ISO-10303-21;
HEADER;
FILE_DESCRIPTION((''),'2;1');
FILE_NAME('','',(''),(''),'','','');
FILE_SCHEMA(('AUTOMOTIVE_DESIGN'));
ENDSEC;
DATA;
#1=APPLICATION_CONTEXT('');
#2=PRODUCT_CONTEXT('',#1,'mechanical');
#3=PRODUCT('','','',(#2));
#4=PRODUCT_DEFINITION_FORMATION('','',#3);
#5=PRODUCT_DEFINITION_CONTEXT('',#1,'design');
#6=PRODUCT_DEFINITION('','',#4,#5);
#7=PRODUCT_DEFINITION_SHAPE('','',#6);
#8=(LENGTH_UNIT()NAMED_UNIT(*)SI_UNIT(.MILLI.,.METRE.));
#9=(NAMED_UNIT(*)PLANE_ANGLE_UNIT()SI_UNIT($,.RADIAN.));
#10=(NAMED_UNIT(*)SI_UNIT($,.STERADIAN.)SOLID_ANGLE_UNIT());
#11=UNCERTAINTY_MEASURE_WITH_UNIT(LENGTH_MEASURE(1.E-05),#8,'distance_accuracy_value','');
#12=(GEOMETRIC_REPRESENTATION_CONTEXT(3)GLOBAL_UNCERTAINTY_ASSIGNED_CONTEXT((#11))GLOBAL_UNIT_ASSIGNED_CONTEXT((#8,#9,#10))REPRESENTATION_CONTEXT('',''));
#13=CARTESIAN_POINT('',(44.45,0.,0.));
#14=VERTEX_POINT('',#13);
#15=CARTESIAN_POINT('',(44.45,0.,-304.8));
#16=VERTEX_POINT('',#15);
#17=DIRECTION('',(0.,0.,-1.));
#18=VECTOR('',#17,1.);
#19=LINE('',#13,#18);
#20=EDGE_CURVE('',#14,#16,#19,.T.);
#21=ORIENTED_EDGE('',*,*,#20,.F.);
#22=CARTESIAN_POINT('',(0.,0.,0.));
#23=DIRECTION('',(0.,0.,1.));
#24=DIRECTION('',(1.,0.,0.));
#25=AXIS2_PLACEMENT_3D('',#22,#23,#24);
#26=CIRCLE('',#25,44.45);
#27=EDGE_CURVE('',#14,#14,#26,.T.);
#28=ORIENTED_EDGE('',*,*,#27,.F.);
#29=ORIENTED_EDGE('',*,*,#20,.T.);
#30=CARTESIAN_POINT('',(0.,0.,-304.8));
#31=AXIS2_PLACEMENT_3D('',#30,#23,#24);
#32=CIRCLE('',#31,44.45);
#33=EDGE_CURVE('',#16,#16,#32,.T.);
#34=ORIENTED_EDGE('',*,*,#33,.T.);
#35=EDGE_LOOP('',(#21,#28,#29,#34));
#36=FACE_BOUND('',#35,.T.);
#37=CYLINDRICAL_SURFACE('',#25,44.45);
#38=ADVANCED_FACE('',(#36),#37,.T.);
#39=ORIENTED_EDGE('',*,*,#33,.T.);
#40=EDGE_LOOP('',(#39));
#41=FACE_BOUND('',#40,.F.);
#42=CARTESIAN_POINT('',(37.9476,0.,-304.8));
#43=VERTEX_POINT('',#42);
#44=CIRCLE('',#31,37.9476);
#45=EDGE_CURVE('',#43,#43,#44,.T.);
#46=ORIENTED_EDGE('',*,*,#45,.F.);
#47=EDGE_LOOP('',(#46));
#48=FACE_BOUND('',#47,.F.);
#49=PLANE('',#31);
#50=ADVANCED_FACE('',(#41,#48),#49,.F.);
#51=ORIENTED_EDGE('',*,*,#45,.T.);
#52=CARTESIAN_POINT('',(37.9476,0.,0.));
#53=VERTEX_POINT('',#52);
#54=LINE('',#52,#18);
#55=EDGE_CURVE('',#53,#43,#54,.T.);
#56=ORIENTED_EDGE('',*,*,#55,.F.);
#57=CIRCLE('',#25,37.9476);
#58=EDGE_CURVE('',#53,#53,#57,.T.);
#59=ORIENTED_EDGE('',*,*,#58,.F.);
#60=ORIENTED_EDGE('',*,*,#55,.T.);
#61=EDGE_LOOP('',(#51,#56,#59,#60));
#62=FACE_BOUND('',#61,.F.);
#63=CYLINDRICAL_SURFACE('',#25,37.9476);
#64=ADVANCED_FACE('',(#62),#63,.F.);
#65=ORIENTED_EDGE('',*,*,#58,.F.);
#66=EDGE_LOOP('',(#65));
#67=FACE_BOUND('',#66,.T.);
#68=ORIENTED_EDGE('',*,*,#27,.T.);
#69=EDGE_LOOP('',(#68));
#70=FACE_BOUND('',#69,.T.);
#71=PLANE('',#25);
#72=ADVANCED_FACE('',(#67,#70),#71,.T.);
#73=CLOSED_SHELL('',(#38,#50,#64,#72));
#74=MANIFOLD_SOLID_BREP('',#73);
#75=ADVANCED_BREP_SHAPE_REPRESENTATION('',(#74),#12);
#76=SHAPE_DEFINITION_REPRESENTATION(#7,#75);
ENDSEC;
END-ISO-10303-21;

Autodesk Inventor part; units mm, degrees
ref_plane "YZ Plane" through (0, 0, 0) normal (1, 0, 0) x (0, 1, 0)
ref_plane "XZ Plane" through (0, 0, 0) normal (0, 1, 0) x (-1, 0, 0)
ref_plane "XY Plane" through (0, 0, 0) normal (0, 0, 1) x (1, 0, 0)
sketch "Sketch1" plane through (0, 0, 0) normal (0, 0, 1) x (1, 0, 0)
  circle A0 centre (0, 0) radius 44.45
  circle A1 centre (0, 0) radius 37.9476
  dimension "d0" = 88.9
  dimension "d1" = 75.8952
extrude "Extrusion1" add sketch "Sketch1" against normal blind 304.8
equation "\"d0\" = outsideDiameter"
equation "\"d1\" = insideDiameter"
equation "\"insideDiameter\" = 75.8952"
equation "\"outsideDiameter\" = 88.9"
properties part number "3inchPvcPipe"
